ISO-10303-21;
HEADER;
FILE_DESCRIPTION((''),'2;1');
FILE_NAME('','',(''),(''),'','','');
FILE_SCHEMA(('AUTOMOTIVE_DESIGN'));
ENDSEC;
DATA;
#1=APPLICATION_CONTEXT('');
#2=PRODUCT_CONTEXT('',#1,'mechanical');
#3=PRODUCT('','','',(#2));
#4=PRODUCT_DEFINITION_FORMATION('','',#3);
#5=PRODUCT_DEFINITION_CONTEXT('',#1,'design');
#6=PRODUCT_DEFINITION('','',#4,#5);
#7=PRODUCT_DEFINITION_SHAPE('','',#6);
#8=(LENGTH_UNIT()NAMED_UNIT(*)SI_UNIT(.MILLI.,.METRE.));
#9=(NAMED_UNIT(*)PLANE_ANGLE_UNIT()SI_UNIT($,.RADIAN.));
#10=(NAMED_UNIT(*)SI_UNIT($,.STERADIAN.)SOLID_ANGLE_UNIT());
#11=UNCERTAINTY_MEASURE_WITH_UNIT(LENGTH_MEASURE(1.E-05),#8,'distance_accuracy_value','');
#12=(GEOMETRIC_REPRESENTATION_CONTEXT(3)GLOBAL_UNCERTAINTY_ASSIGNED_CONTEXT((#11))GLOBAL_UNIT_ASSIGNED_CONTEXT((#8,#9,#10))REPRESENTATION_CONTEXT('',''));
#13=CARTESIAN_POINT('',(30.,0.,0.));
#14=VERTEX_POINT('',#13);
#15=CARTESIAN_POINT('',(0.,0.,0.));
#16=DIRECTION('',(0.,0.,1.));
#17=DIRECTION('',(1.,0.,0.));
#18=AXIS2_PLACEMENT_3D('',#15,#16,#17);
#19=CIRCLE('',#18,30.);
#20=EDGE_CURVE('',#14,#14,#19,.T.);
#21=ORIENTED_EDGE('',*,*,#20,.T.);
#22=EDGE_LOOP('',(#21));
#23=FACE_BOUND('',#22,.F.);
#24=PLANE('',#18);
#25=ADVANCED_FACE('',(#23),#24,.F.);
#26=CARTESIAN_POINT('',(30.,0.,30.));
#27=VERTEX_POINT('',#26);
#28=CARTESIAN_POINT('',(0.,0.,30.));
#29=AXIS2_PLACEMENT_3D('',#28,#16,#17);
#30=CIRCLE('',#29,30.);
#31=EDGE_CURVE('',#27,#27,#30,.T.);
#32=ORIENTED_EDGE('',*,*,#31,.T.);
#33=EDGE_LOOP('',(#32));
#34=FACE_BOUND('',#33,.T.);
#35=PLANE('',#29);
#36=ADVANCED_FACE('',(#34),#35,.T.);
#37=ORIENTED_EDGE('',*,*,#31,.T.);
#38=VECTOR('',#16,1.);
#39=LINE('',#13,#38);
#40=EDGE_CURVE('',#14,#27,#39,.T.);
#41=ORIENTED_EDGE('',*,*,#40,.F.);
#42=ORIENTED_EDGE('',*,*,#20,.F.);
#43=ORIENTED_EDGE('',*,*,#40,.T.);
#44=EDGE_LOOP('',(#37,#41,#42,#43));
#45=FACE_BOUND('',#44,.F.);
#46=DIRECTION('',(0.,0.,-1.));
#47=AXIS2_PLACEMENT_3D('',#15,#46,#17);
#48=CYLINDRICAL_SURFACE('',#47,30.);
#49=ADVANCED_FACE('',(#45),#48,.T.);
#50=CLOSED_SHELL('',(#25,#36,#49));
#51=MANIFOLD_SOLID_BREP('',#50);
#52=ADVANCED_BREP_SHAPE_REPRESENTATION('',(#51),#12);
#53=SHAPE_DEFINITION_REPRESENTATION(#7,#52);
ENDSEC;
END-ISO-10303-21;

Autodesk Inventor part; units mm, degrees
ref_plane "YZ Plane" through (0, 0, 0) normal (1, 0, 0) x (0, 1, 0)
ref_plane "XZ Plane" through (0, 0, 0) normal (0, 1, 0) x (-1, 0, 0)
ref_plane "XY Plane" through (0, 0, 0) normal (0, 0, 1) x (1, 0, 0)
sketch "Sketch1" plane through (0, 0, 0) normal (0, 0, 1) x (1, 0, 0)
  circle A0 centre (0, 0) radius 30
  dimension "d0" = 60
extrude "Extrusion1" add sketch "Sketch1" along normal blind 30
properties part number "Mecanum Wheel"
